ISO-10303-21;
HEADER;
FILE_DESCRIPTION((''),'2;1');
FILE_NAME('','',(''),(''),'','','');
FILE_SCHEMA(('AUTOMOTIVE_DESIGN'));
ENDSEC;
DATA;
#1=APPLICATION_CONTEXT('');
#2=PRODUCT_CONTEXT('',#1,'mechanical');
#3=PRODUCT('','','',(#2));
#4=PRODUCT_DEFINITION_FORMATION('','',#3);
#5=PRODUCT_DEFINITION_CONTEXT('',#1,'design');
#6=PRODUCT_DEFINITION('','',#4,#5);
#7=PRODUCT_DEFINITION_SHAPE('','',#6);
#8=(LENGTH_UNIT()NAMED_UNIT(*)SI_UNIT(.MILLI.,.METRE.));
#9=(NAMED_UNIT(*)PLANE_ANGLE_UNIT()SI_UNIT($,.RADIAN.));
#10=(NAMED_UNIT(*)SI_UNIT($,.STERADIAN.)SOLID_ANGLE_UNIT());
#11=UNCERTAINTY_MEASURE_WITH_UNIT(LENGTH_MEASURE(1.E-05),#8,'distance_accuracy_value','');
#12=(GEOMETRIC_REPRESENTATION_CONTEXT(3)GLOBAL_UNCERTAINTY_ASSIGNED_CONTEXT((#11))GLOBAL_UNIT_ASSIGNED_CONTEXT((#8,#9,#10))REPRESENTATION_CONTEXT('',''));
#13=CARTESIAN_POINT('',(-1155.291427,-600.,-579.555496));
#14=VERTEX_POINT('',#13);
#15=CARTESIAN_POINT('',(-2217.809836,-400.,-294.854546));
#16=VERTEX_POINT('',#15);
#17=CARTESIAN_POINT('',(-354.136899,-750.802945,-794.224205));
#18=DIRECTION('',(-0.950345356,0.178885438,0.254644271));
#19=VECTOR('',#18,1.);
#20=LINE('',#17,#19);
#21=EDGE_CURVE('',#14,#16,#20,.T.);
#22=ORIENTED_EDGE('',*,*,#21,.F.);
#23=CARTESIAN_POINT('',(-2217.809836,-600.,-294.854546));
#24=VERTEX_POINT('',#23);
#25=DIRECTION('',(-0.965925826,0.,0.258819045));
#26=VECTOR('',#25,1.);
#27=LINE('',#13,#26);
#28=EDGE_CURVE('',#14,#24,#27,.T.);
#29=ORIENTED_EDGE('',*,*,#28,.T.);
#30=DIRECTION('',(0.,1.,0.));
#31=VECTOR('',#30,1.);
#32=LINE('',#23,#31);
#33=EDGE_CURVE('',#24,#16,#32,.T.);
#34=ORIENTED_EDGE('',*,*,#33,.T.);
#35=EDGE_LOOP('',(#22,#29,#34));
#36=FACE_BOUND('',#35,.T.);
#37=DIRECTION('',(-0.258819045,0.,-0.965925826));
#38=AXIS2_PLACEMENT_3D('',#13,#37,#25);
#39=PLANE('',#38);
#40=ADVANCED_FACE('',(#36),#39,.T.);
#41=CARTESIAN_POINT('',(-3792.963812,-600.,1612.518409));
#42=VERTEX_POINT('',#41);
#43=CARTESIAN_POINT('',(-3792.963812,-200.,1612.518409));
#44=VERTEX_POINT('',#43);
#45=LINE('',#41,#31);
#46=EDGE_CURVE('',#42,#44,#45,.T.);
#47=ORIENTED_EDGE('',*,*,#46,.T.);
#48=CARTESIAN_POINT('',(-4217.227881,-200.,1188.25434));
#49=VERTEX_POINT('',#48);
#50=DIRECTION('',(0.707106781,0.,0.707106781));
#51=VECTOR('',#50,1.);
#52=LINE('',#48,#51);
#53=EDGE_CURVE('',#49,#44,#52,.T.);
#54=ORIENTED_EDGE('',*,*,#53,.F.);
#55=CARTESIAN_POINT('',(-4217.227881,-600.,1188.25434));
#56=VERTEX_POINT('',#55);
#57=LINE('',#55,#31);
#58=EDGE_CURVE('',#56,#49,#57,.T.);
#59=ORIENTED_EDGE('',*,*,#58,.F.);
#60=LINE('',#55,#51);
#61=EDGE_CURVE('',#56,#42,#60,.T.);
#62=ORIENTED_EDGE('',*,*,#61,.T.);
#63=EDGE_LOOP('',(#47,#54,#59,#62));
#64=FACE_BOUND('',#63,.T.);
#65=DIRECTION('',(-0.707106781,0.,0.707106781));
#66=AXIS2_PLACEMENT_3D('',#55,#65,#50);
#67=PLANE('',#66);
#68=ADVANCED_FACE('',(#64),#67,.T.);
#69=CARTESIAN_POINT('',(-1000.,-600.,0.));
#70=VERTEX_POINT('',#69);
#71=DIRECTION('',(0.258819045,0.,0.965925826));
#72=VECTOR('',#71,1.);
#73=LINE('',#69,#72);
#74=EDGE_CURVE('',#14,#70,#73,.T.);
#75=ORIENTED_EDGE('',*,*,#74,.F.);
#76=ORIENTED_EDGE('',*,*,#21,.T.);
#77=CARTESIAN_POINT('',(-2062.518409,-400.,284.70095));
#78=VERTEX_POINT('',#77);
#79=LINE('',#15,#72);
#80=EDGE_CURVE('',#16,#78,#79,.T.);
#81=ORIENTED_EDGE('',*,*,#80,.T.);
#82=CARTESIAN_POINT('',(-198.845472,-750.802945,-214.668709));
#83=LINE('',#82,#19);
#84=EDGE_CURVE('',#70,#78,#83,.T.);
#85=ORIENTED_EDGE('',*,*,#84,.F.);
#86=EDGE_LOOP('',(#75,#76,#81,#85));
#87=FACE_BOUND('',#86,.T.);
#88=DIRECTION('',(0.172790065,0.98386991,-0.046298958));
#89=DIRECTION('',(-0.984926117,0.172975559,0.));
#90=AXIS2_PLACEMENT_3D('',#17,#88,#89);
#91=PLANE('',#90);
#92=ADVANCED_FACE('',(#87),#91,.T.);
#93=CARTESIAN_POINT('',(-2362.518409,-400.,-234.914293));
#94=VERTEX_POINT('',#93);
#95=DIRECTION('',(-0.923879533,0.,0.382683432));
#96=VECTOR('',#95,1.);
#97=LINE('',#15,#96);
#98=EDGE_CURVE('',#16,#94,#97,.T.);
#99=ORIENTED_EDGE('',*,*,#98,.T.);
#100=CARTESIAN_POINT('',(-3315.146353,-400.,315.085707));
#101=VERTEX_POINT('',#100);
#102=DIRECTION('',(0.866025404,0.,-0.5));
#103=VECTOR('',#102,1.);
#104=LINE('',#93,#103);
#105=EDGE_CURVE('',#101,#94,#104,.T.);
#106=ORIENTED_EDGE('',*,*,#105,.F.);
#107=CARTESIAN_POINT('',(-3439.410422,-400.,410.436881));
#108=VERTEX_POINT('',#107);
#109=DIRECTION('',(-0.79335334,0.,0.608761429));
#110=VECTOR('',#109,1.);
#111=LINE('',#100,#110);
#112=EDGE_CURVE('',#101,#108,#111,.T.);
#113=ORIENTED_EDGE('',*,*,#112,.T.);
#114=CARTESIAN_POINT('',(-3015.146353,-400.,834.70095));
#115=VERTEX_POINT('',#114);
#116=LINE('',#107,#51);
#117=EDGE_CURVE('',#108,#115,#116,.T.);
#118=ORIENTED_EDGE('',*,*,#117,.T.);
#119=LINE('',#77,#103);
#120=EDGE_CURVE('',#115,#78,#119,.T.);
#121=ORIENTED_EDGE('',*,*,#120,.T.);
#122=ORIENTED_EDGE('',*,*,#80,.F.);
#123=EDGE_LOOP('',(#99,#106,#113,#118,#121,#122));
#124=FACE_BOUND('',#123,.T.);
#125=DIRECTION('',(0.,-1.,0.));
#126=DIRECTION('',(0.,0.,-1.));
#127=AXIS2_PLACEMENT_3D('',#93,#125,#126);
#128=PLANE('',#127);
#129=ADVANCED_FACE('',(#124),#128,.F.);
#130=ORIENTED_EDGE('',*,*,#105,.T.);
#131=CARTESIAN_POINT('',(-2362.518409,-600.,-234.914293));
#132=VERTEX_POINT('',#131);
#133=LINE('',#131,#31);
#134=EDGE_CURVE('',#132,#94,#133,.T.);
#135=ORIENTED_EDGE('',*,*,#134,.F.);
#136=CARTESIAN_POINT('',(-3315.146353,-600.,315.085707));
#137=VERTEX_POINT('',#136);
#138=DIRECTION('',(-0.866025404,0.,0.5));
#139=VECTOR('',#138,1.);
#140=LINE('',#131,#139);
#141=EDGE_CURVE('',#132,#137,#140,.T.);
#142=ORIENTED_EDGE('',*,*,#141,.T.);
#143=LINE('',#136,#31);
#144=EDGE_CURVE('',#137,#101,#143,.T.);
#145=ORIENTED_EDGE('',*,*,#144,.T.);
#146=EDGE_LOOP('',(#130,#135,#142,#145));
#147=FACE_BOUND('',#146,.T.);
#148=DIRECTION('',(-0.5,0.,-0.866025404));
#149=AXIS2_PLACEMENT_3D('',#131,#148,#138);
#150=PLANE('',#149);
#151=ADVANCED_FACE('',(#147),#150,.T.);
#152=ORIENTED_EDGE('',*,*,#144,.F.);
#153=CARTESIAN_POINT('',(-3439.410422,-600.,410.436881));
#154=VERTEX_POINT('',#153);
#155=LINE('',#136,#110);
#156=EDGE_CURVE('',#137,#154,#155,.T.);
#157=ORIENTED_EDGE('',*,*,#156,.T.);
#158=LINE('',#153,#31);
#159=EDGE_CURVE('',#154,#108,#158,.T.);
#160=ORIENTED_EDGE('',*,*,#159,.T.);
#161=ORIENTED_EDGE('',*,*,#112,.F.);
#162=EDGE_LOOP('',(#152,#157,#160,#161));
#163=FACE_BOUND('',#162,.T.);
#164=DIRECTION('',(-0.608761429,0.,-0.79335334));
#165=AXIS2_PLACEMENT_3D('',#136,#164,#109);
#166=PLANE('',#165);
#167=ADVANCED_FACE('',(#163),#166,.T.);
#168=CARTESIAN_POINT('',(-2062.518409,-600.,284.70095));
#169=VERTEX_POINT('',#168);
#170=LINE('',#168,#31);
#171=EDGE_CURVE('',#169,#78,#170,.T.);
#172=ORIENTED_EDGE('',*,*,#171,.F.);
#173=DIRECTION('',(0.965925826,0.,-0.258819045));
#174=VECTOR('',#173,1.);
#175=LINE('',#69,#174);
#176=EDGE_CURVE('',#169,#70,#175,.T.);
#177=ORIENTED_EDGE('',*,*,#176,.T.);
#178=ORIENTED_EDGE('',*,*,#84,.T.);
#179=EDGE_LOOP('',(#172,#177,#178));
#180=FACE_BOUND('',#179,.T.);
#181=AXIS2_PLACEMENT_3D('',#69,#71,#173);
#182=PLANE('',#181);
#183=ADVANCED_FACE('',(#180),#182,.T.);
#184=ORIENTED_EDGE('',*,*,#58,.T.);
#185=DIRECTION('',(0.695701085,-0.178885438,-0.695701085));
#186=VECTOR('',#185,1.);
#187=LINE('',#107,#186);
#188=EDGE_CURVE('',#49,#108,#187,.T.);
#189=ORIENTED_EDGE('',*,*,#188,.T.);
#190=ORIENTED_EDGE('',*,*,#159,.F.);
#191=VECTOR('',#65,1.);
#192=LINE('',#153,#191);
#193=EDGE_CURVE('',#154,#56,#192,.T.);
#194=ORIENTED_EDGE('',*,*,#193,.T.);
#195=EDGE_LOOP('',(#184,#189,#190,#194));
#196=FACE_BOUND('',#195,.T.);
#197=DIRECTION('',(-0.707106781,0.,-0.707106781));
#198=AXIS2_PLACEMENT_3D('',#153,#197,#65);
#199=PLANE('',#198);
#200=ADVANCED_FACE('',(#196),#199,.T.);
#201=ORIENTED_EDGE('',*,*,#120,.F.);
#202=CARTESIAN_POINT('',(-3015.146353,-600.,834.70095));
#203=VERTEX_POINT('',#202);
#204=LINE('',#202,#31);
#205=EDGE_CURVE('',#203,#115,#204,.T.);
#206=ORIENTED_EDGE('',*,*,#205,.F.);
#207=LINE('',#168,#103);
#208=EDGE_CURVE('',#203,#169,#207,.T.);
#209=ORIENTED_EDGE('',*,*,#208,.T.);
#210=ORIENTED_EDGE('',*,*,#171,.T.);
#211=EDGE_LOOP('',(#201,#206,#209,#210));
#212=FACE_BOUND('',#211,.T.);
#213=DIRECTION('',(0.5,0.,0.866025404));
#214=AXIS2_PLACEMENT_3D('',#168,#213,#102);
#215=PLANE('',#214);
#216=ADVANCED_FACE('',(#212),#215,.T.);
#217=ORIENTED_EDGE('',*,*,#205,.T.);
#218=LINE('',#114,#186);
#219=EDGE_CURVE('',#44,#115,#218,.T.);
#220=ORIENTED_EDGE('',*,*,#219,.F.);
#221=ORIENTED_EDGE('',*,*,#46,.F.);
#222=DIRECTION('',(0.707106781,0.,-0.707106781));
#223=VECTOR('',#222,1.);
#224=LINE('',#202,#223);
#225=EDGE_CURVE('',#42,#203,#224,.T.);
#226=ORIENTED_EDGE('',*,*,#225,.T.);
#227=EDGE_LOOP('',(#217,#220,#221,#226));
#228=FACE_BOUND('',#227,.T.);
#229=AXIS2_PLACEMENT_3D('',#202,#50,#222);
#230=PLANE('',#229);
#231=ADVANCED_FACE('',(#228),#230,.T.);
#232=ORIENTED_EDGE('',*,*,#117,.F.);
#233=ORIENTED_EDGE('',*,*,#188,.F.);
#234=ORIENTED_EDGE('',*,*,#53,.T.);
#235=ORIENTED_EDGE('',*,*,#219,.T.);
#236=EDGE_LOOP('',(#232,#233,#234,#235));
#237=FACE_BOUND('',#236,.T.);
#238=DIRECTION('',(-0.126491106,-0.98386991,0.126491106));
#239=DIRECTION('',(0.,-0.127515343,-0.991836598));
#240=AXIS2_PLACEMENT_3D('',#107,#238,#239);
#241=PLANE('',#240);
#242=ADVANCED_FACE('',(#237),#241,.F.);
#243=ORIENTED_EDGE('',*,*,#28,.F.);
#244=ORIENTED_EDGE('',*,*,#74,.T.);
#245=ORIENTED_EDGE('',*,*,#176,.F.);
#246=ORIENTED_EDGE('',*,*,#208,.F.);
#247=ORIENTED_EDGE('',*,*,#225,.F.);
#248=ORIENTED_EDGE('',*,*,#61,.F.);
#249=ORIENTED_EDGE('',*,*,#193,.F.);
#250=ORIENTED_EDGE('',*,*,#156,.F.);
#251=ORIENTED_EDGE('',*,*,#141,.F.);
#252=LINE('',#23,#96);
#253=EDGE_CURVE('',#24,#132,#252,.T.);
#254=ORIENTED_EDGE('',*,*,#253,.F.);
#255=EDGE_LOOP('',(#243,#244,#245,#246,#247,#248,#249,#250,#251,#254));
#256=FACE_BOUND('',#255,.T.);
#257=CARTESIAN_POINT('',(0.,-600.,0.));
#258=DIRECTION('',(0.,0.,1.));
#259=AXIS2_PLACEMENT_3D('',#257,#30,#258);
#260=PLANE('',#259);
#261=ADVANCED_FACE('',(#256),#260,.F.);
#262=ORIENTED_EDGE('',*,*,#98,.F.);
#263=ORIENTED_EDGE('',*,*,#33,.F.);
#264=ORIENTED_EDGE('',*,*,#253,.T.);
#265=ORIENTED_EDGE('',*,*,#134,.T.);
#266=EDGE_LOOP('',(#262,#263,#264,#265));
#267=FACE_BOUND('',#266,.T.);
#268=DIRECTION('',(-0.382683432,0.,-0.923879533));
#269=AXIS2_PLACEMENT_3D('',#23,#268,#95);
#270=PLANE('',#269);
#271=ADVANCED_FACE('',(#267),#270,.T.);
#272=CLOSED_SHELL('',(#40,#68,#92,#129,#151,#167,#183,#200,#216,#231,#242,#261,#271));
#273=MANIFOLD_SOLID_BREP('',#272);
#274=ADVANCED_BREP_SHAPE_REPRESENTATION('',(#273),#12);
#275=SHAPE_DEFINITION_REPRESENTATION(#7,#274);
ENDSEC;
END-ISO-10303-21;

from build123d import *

# Parameters (mm, degrees)
BOSS_EXTRUDE1_DEPTH = 600
CUT_EXTRUDE1_DEPTH  = 600
CUT_EXTRUDE2_DEPTH  = 600
SKETCH26_W          = 1100
SKETCH26_H          = 400
CUT_EXTRUDE3_DEPTH  = 600
SKETCH27_W          = 156.631430664
SKETCH27_H          = 400
CUT_EXTRUDE4_DEPTH  = 600
CUT_EXTRUDE6_DEPTH  = 400
CUT_EXTRUDE7_DEPTH  = 600


with BuildPart() as part:
    # Sketch1 → Boss-Extrude1 (new body)
    with BuildSketch(Plane(origin=(0, 0, 0), x_dir=(1, 0, 0), z_dir=(0, 1, 0))):
        Polygon((0, 0), (-1000, 0), (-2062.518408918, -284.700949613), (-3015.146353081, -834.700949613), (-3792.963812386, -1612.518408918), (-4217.227881098, -1188.254340206), (-3439.410421793, -410.436880901), (-3315.146353081, -315.085707342), (-2362.518408918, 234.914292658), (-2217.809835979, 294.854546161), (-1155.291427062, 579.555495773), (-1000, 600), (0, 600), align=None)
    extrude(amount=-BOSS_EXTRUDE1_DEPTH)

    # Sketch24 → Cut-Extrude1 (cut)
    with BuildSketch(Plane(origin=(0, 0, 0), x_dir=(1, 0, 0), z_dir=(0, 1, 0))):
        Polygon((-1000, 0), (-1155.291427062, 579.555495773), (-1000, 600), (0, 600), (0, 0), align=None)
    extrude(amount=-CUT_EXTRUDE1_DEPTH, mode=Mode.SUBTRACT)

    # Sketch25 → Cut-Extrude2 (cut)
    with BuildSketch(Plane(origin=(-66.987298108, 0, -250), x_dir=(0.96592582628907, 0, -0.2588190451025147), z_dir=(0.25881904510251463, 0, 0.9659258262890699))):
        Polygon((-2065.925826289, -400), (-965.925826289, -600), (-965.925826289, 0), (-2065.925826289, 0), align=None)
    extrude(amount=-CUT_EXTRUDE2_DEPTH, mode=Mode.SUBTRACT)

    # Sketch26 → Cut-Extrude3 (cut)
    with BuildSketch(Plane(origin=(-392.350474806, 0, -679.570956738), x_dir=(0.8660254037844415, 0, -0.4999999999999951), z_dir=(0.49999999999999517, 0, 0.8660254037844416))):
        with Locations((-2478.543812702, -200)):
            Rectangle(SKETCH26_W, SKETCH26_H)
    extrude(amount=-CUT_EXTRUDE3_DEPTH, mode=Mode.SUBTRACT)

    # Sketch27 → Cut-Extrude4 (cut)
    with BuildSketch(Plane(origin=(-429.037555315, 0, -1035.788284809), x_dir=(-0.9238795325112855, 0, 0.38268343236509267), z_dir=(-0.38268343236509267, 0, -0.9238795325112855))):
        with Locations((2014.468880022, -200)):
            Rectangle(SKETCH27_W, SKETCH27_H)
    extrude(amount=-CUT_EXTRUDE4_DEPTH, mode=Mode.SUBTRACT)

    # Sketch30 → Cut-Extrude6 (cut)
    with BuildSketch(Plane(origin=(0, 0, 0), x_dir=(1, 0, 0), z_dir=(0, 1, 0))):
        Polygon((-3439.410421793, -410.436880901), (-3015.146353081, -834.700949613), (-3315.146353081, -315.085707342), align=None)
    extrude(amount=-CUT_EXTRUDE6_DEPTH, mode=Mode.SUBTRACT)

    # Sketch31 → Cut-Extrude7 (cut)
    with BuildSketch(Plane(origin=(-1090.222701734, 0, -1090.222701734), x_dir=(0.7071067811865475, 0, -0.7071067811865477), z_dir=(0.7071067811865477, 0, 0.7071067811865475))):
        Polygon((-2722.253134267, -400), (-3822.253134267, -200), (-3822.253134267, 0), (-2722.253134267, 0), align=None)
    extrude(amount=-CUT_EXTRUDE7_DEPTH, mode=Mode.SUBTRACT)


solid = part.part
